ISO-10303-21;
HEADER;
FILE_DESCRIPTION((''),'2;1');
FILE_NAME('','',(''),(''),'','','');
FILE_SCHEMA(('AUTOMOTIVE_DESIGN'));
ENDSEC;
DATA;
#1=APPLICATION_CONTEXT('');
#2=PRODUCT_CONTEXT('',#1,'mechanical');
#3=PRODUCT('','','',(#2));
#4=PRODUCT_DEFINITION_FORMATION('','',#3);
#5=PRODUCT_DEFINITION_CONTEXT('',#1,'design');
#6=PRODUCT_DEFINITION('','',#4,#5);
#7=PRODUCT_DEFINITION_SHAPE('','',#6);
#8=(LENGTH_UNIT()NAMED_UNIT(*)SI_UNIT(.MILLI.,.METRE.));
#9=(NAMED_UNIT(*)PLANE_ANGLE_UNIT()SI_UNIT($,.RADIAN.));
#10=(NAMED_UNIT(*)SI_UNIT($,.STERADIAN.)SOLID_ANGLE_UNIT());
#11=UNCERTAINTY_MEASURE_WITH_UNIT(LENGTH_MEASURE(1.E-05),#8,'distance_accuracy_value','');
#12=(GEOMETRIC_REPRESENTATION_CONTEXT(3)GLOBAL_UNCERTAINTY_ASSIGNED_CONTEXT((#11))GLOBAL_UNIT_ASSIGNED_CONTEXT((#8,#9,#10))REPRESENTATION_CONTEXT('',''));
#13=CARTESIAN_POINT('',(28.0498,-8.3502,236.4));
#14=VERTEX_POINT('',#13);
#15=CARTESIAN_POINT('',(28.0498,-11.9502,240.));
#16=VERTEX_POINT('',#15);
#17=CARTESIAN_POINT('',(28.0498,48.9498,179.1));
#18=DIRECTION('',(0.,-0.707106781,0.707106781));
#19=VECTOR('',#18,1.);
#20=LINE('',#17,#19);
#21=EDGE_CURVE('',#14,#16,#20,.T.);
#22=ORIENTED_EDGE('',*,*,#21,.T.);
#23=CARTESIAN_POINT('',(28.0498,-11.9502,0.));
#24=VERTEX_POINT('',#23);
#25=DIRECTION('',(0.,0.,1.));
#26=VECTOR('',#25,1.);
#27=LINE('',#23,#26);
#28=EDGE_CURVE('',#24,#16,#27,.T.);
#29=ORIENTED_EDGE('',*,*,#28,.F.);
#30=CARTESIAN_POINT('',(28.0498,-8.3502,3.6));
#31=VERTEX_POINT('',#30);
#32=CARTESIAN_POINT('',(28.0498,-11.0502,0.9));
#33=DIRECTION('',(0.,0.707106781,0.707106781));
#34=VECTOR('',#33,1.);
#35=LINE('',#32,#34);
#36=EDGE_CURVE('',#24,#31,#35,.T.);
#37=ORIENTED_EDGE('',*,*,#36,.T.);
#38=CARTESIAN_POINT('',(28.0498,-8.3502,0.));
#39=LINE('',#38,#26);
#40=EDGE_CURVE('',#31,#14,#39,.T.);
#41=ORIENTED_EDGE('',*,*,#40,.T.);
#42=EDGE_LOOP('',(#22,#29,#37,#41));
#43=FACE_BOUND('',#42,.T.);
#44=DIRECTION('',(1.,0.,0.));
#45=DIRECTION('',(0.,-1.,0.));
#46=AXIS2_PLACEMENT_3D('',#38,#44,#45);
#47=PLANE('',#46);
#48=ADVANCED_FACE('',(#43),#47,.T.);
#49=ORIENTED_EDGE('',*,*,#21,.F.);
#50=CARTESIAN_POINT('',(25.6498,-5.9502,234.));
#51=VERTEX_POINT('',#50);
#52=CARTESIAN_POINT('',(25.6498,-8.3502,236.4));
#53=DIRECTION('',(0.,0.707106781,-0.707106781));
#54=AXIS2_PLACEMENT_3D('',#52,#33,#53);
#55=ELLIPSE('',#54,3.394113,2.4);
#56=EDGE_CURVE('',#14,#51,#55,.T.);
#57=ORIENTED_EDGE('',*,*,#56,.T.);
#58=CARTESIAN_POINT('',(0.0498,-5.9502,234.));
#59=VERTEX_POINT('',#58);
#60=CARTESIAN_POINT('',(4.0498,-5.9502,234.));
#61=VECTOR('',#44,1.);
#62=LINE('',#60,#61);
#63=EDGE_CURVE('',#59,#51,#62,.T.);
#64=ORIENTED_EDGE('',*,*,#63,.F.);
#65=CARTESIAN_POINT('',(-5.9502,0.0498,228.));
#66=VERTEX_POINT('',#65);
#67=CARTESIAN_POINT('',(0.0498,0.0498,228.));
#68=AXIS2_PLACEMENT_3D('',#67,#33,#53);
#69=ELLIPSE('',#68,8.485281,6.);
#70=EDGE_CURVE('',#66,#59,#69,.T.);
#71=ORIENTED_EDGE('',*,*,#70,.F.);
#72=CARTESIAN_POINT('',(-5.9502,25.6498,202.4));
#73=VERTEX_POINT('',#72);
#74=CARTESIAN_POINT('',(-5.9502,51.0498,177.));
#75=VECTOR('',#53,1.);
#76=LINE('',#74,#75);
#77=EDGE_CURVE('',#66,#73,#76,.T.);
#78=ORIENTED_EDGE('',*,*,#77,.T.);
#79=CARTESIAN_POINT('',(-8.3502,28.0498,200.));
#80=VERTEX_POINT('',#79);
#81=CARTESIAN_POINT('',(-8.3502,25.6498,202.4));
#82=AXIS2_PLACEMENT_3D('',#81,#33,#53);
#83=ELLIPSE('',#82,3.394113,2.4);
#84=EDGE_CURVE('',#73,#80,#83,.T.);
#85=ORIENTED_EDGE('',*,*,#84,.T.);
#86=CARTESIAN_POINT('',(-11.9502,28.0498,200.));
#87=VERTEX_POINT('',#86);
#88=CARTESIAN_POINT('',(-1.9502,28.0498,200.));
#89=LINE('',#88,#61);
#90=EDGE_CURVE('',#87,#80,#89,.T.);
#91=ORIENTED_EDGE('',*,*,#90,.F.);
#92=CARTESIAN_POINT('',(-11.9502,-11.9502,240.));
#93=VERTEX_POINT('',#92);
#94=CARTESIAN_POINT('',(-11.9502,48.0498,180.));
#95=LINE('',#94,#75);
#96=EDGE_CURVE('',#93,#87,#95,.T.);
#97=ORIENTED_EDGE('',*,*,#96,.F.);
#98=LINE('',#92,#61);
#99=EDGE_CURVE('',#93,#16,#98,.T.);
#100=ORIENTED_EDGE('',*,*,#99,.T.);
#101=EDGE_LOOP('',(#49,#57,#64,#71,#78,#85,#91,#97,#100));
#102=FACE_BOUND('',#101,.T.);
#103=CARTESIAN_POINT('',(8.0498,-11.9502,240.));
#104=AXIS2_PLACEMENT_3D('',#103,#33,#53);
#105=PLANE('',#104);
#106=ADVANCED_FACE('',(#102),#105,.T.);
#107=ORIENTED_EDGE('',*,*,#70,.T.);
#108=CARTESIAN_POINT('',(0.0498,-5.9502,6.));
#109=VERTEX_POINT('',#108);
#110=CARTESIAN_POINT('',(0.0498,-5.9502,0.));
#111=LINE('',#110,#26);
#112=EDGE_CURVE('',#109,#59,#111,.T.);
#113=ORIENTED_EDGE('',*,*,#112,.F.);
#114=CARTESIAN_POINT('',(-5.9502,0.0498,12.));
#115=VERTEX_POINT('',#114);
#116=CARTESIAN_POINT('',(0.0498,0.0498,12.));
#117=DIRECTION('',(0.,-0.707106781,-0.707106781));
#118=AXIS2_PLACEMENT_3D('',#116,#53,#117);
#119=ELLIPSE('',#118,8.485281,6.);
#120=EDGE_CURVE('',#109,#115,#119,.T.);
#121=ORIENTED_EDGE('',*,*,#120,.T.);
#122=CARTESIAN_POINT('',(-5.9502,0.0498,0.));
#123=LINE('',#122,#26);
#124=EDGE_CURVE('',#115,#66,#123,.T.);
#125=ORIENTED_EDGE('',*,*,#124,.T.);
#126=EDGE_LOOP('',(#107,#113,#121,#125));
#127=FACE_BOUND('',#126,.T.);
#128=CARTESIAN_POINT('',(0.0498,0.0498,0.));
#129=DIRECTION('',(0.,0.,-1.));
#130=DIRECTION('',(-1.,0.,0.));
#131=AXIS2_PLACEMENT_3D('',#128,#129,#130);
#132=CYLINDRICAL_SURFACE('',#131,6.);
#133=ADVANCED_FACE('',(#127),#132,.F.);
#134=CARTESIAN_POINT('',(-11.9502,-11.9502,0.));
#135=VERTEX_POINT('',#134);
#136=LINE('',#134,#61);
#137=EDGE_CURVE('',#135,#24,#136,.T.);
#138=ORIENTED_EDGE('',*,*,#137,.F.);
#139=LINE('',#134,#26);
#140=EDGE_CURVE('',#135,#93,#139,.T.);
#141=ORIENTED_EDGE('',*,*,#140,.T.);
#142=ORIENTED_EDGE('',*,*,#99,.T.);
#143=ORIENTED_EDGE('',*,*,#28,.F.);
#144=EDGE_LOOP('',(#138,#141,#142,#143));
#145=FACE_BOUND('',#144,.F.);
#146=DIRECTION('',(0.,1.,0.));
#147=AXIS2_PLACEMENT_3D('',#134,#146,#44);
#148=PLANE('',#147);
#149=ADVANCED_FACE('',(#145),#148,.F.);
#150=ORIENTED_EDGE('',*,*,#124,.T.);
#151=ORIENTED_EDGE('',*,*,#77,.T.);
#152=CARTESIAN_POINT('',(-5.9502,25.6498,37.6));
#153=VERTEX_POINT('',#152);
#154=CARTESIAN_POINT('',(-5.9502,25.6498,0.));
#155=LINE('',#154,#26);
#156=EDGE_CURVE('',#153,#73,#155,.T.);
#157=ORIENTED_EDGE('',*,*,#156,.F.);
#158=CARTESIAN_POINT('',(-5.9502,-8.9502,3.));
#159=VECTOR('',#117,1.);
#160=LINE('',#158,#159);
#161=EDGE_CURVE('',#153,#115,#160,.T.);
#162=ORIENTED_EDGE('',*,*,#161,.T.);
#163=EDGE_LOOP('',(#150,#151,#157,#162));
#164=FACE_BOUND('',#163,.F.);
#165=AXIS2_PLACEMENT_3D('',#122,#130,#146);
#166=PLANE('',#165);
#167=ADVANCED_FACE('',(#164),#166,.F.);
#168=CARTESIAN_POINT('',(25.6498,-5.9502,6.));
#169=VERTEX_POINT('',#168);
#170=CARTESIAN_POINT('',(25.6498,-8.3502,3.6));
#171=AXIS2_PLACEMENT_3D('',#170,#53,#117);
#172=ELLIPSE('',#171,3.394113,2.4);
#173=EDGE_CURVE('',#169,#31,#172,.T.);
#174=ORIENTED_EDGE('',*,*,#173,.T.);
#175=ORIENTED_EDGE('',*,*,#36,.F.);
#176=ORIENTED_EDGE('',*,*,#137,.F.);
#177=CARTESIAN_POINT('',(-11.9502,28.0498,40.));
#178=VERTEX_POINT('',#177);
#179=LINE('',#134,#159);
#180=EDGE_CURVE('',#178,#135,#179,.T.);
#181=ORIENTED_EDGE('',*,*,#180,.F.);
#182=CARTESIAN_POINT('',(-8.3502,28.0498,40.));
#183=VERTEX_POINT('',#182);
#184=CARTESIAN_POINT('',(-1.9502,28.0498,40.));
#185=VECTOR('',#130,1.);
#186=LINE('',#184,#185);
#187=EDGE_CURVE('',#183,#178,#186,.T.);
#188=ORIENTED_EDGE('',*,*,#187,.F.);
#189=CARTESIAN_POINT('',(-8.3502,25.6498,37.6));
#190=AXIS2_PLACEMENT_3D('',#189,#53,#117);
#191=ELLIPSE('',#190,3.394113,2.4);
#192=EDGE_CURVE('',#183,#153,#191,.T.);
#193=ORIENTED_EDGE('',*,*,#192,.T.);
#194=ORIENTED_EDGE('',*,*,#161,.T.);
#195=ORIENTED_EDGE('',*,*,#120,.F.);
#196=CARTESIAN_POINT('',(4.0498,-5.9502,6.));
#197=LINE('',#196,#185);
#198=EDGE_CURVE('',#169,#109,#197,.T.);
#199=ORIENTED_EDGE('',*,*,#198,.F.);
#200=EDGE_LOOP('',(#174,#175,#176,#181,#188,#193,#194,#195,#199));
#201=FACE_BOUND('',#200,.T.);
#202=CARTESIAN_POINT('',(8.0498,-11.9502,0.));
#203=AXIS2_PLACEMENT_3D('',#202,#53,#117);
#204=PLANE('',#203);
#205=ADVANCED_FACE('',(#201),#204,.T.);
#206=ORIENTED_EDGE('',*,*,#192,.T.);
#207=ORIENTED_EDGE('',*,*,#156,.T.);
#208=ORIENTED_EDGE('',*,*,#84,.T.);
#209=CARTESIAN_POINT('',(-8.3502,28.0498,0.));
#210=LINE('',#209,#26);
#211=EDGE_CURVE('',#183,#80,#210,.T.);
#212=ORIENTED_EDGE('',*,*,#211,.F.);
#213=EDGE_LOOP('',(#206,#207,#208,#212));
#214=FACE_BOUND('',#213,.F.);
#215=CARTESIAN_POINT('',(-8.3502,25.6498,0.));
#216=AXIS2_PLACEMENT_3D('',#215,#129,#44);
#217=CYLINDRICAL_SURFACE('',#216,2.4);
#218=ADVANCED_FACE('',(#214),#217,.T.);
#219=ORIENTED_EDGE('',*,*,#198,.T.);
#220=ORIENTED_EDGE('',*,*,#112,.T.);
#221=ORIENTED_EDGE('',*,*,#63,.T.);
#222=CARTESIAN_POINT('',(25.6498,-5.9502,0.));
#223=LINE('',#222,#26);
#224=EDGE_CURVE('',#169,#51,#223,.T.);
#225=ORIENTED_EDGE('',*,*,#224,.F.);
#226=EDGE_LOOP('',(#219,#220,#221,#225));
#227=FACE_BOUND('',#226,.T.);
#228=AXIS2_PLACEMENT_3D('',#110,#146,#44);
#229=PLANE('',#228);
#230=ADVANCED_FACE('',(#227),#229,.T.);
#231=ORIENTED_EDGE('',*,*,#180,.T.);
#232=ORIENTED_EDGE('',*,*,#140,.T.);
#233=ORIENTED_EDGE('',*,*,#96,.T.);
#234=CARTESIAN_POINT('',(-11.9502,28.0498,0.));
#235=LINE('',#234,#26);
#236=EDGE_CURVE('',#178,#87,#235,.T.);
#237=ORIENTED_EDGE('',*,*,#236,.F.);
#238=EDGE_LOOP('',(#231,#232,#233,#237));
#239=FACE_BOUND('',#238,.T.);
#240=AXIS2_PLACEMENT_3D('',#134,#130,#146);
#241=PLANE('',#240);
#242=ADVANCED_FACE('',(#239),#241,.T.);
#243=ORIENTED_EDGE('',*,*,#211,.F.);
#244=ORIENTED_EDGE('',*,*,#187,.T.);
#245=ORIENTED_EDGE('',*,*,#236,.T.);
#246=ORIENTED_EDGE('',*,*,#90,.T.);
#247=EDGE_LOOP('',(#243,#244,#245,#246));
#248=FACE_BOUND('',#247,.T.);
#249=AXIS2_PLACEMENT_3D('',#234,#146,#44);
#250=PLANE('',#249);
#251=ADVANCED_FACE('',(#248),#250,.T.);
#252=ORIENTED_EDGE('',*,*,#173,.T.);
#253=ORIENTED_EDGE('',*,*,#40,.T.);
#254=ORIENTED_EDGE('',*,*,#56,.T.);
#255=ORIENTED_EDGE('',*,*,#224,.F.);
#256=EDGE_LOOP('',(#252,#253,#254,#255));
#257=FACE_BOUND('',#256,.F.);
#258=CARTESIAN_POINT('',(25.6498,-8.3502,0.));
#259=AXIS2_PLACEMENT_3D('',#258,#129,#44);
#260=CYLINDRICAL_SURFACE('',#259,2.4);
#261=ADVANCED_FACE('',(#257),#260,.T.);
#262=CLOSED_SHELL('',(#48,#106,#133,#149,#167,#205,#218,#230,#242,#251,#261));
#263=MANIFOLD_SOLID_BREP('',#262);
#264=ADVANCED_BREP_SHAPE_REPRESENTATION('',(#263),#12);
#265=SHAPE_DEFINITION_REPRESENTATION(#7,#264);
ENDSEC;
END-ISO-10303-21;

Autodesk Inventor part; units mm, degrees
ref_plane "Start Plane" through (0, 0, 0) normal (0, 0, 1) x (1, 0, 0)
ref_plane "End Plane" through (0, 0, 240) normal (0, 0, 1) x (1, 0, 0)
sketch "Sketch" plane through (0, 0, 0) normal (0, 0, 1) x (1, 0, 0)
  line L0 (-5.9502, 0.0498) -> (-5.9502, 25.6498)
  line L1 (-11.9502, 28.0498) -> (-8.3502, 28.0498)
  line L2 (-11.9502, -11.9502) -> (-11.9502, 28.0498)
  line L3 (-11.9502, -11.9502) -> (28.0498, -11.9502)
  line L4 (28.0498, -8.3502) -> (28.0498, -11.9502)
  line L5 (0.0498, -5.9502) -> (25.6498, -5.9502)
  arc A0 (-5.9502, 0.0498) -> (0.0498, -5.9502) centre (0.0498, 0.0498) ccw
  arc A1 (-5.9502, 25.6498) -> (-8.3502, 28.0498) centre (-8.3502, 25.6498) ccw
  arc A2 (28.0498, -8.3502) -> (25.6498, -5.9502) centre (25.6498, -8.3502) ccw
  line L6 (0, 36.6463) -> (0, -20.0496) construction
  line L7 (-20.0496, 0) -> (36.6463, 0) construction
  point P0 (-5.9502, -5.9502)
  point P1 (-5.9502, 28.0498)
  point P2 (28.0498, -5.9502)
  dimension "d4" = 40
  dimension "d6" = 40
  dimension "d8" = 6
  dimension "d10" = 6
  dimension "d17" = 6
  dimension "d18" = 2.4
  dimension "d19" = 11.9502
  dimension "d20" = 11.9502
extrude "Body" add sketch "Sketch" along normal up to surface (240 mm away) from surface at 0
sketch "Sketch3" plane through (0, 0, 0) normal (0, 0, 1) x (1, 0, 0)
  line L0 (0, 0) -> (10, 0)
ref_plane "Work Plane10" through (0, 0, 0) normal (0, -1, 0) x (1, 0, 0)
sketch "Sketch4" plane through (0, 0, 0) normal (0, -1, 0) x (1, 0, 0)
  line L0 (-2, 0) -> (12, 0)
  line L1 (-2, 240) -> (12, 240)
  dimension "d24" = 240
ref_plane "Work Plane11" through (8.0498, -11.9502, 240) normal (0, 0.7071, 0.7071) x (1, 0, 0)
split "Split1" plane through (8.0498, -11.9502, 240) removes the side toward (0, 0.7071, 0.7071)
ref_plane "Work Plane12" through (8.0498, -11.9502, 0) normal (0, 0.7071, -0.7071) x (1, 0, 0)
split "Split2" plane through (8.0498, -11.9502, 0) removes the side toward (0, 0.7071, -0.7071)
equation "\"d4\" = b"
equation "\"d6\" = b"
equation "\"d8\" = ParT"
equation "\"d10\" = ParT"
equation "\"d17\" = R"
equation "\"d18\" = R1"
equation "\"d19\" = ex"
equation "\"d20\" = d19"
equation "\"d11\" = G_L"
equation "\"b\" = 40"
equation "\"ParT\" = 6"
equation "\"R\" = 6"
equation "\"R1\" = 2.4"
equation "\"G_L\" = d24"
equation "\"G_OFFSET_START\" = 0"
equation "\"G_OFFSET_END\" = 0"
equation "\"ex\" = 11.950185"
properties part number "BS 4848 - 40x40x6-240" material "Steel, Mild"
